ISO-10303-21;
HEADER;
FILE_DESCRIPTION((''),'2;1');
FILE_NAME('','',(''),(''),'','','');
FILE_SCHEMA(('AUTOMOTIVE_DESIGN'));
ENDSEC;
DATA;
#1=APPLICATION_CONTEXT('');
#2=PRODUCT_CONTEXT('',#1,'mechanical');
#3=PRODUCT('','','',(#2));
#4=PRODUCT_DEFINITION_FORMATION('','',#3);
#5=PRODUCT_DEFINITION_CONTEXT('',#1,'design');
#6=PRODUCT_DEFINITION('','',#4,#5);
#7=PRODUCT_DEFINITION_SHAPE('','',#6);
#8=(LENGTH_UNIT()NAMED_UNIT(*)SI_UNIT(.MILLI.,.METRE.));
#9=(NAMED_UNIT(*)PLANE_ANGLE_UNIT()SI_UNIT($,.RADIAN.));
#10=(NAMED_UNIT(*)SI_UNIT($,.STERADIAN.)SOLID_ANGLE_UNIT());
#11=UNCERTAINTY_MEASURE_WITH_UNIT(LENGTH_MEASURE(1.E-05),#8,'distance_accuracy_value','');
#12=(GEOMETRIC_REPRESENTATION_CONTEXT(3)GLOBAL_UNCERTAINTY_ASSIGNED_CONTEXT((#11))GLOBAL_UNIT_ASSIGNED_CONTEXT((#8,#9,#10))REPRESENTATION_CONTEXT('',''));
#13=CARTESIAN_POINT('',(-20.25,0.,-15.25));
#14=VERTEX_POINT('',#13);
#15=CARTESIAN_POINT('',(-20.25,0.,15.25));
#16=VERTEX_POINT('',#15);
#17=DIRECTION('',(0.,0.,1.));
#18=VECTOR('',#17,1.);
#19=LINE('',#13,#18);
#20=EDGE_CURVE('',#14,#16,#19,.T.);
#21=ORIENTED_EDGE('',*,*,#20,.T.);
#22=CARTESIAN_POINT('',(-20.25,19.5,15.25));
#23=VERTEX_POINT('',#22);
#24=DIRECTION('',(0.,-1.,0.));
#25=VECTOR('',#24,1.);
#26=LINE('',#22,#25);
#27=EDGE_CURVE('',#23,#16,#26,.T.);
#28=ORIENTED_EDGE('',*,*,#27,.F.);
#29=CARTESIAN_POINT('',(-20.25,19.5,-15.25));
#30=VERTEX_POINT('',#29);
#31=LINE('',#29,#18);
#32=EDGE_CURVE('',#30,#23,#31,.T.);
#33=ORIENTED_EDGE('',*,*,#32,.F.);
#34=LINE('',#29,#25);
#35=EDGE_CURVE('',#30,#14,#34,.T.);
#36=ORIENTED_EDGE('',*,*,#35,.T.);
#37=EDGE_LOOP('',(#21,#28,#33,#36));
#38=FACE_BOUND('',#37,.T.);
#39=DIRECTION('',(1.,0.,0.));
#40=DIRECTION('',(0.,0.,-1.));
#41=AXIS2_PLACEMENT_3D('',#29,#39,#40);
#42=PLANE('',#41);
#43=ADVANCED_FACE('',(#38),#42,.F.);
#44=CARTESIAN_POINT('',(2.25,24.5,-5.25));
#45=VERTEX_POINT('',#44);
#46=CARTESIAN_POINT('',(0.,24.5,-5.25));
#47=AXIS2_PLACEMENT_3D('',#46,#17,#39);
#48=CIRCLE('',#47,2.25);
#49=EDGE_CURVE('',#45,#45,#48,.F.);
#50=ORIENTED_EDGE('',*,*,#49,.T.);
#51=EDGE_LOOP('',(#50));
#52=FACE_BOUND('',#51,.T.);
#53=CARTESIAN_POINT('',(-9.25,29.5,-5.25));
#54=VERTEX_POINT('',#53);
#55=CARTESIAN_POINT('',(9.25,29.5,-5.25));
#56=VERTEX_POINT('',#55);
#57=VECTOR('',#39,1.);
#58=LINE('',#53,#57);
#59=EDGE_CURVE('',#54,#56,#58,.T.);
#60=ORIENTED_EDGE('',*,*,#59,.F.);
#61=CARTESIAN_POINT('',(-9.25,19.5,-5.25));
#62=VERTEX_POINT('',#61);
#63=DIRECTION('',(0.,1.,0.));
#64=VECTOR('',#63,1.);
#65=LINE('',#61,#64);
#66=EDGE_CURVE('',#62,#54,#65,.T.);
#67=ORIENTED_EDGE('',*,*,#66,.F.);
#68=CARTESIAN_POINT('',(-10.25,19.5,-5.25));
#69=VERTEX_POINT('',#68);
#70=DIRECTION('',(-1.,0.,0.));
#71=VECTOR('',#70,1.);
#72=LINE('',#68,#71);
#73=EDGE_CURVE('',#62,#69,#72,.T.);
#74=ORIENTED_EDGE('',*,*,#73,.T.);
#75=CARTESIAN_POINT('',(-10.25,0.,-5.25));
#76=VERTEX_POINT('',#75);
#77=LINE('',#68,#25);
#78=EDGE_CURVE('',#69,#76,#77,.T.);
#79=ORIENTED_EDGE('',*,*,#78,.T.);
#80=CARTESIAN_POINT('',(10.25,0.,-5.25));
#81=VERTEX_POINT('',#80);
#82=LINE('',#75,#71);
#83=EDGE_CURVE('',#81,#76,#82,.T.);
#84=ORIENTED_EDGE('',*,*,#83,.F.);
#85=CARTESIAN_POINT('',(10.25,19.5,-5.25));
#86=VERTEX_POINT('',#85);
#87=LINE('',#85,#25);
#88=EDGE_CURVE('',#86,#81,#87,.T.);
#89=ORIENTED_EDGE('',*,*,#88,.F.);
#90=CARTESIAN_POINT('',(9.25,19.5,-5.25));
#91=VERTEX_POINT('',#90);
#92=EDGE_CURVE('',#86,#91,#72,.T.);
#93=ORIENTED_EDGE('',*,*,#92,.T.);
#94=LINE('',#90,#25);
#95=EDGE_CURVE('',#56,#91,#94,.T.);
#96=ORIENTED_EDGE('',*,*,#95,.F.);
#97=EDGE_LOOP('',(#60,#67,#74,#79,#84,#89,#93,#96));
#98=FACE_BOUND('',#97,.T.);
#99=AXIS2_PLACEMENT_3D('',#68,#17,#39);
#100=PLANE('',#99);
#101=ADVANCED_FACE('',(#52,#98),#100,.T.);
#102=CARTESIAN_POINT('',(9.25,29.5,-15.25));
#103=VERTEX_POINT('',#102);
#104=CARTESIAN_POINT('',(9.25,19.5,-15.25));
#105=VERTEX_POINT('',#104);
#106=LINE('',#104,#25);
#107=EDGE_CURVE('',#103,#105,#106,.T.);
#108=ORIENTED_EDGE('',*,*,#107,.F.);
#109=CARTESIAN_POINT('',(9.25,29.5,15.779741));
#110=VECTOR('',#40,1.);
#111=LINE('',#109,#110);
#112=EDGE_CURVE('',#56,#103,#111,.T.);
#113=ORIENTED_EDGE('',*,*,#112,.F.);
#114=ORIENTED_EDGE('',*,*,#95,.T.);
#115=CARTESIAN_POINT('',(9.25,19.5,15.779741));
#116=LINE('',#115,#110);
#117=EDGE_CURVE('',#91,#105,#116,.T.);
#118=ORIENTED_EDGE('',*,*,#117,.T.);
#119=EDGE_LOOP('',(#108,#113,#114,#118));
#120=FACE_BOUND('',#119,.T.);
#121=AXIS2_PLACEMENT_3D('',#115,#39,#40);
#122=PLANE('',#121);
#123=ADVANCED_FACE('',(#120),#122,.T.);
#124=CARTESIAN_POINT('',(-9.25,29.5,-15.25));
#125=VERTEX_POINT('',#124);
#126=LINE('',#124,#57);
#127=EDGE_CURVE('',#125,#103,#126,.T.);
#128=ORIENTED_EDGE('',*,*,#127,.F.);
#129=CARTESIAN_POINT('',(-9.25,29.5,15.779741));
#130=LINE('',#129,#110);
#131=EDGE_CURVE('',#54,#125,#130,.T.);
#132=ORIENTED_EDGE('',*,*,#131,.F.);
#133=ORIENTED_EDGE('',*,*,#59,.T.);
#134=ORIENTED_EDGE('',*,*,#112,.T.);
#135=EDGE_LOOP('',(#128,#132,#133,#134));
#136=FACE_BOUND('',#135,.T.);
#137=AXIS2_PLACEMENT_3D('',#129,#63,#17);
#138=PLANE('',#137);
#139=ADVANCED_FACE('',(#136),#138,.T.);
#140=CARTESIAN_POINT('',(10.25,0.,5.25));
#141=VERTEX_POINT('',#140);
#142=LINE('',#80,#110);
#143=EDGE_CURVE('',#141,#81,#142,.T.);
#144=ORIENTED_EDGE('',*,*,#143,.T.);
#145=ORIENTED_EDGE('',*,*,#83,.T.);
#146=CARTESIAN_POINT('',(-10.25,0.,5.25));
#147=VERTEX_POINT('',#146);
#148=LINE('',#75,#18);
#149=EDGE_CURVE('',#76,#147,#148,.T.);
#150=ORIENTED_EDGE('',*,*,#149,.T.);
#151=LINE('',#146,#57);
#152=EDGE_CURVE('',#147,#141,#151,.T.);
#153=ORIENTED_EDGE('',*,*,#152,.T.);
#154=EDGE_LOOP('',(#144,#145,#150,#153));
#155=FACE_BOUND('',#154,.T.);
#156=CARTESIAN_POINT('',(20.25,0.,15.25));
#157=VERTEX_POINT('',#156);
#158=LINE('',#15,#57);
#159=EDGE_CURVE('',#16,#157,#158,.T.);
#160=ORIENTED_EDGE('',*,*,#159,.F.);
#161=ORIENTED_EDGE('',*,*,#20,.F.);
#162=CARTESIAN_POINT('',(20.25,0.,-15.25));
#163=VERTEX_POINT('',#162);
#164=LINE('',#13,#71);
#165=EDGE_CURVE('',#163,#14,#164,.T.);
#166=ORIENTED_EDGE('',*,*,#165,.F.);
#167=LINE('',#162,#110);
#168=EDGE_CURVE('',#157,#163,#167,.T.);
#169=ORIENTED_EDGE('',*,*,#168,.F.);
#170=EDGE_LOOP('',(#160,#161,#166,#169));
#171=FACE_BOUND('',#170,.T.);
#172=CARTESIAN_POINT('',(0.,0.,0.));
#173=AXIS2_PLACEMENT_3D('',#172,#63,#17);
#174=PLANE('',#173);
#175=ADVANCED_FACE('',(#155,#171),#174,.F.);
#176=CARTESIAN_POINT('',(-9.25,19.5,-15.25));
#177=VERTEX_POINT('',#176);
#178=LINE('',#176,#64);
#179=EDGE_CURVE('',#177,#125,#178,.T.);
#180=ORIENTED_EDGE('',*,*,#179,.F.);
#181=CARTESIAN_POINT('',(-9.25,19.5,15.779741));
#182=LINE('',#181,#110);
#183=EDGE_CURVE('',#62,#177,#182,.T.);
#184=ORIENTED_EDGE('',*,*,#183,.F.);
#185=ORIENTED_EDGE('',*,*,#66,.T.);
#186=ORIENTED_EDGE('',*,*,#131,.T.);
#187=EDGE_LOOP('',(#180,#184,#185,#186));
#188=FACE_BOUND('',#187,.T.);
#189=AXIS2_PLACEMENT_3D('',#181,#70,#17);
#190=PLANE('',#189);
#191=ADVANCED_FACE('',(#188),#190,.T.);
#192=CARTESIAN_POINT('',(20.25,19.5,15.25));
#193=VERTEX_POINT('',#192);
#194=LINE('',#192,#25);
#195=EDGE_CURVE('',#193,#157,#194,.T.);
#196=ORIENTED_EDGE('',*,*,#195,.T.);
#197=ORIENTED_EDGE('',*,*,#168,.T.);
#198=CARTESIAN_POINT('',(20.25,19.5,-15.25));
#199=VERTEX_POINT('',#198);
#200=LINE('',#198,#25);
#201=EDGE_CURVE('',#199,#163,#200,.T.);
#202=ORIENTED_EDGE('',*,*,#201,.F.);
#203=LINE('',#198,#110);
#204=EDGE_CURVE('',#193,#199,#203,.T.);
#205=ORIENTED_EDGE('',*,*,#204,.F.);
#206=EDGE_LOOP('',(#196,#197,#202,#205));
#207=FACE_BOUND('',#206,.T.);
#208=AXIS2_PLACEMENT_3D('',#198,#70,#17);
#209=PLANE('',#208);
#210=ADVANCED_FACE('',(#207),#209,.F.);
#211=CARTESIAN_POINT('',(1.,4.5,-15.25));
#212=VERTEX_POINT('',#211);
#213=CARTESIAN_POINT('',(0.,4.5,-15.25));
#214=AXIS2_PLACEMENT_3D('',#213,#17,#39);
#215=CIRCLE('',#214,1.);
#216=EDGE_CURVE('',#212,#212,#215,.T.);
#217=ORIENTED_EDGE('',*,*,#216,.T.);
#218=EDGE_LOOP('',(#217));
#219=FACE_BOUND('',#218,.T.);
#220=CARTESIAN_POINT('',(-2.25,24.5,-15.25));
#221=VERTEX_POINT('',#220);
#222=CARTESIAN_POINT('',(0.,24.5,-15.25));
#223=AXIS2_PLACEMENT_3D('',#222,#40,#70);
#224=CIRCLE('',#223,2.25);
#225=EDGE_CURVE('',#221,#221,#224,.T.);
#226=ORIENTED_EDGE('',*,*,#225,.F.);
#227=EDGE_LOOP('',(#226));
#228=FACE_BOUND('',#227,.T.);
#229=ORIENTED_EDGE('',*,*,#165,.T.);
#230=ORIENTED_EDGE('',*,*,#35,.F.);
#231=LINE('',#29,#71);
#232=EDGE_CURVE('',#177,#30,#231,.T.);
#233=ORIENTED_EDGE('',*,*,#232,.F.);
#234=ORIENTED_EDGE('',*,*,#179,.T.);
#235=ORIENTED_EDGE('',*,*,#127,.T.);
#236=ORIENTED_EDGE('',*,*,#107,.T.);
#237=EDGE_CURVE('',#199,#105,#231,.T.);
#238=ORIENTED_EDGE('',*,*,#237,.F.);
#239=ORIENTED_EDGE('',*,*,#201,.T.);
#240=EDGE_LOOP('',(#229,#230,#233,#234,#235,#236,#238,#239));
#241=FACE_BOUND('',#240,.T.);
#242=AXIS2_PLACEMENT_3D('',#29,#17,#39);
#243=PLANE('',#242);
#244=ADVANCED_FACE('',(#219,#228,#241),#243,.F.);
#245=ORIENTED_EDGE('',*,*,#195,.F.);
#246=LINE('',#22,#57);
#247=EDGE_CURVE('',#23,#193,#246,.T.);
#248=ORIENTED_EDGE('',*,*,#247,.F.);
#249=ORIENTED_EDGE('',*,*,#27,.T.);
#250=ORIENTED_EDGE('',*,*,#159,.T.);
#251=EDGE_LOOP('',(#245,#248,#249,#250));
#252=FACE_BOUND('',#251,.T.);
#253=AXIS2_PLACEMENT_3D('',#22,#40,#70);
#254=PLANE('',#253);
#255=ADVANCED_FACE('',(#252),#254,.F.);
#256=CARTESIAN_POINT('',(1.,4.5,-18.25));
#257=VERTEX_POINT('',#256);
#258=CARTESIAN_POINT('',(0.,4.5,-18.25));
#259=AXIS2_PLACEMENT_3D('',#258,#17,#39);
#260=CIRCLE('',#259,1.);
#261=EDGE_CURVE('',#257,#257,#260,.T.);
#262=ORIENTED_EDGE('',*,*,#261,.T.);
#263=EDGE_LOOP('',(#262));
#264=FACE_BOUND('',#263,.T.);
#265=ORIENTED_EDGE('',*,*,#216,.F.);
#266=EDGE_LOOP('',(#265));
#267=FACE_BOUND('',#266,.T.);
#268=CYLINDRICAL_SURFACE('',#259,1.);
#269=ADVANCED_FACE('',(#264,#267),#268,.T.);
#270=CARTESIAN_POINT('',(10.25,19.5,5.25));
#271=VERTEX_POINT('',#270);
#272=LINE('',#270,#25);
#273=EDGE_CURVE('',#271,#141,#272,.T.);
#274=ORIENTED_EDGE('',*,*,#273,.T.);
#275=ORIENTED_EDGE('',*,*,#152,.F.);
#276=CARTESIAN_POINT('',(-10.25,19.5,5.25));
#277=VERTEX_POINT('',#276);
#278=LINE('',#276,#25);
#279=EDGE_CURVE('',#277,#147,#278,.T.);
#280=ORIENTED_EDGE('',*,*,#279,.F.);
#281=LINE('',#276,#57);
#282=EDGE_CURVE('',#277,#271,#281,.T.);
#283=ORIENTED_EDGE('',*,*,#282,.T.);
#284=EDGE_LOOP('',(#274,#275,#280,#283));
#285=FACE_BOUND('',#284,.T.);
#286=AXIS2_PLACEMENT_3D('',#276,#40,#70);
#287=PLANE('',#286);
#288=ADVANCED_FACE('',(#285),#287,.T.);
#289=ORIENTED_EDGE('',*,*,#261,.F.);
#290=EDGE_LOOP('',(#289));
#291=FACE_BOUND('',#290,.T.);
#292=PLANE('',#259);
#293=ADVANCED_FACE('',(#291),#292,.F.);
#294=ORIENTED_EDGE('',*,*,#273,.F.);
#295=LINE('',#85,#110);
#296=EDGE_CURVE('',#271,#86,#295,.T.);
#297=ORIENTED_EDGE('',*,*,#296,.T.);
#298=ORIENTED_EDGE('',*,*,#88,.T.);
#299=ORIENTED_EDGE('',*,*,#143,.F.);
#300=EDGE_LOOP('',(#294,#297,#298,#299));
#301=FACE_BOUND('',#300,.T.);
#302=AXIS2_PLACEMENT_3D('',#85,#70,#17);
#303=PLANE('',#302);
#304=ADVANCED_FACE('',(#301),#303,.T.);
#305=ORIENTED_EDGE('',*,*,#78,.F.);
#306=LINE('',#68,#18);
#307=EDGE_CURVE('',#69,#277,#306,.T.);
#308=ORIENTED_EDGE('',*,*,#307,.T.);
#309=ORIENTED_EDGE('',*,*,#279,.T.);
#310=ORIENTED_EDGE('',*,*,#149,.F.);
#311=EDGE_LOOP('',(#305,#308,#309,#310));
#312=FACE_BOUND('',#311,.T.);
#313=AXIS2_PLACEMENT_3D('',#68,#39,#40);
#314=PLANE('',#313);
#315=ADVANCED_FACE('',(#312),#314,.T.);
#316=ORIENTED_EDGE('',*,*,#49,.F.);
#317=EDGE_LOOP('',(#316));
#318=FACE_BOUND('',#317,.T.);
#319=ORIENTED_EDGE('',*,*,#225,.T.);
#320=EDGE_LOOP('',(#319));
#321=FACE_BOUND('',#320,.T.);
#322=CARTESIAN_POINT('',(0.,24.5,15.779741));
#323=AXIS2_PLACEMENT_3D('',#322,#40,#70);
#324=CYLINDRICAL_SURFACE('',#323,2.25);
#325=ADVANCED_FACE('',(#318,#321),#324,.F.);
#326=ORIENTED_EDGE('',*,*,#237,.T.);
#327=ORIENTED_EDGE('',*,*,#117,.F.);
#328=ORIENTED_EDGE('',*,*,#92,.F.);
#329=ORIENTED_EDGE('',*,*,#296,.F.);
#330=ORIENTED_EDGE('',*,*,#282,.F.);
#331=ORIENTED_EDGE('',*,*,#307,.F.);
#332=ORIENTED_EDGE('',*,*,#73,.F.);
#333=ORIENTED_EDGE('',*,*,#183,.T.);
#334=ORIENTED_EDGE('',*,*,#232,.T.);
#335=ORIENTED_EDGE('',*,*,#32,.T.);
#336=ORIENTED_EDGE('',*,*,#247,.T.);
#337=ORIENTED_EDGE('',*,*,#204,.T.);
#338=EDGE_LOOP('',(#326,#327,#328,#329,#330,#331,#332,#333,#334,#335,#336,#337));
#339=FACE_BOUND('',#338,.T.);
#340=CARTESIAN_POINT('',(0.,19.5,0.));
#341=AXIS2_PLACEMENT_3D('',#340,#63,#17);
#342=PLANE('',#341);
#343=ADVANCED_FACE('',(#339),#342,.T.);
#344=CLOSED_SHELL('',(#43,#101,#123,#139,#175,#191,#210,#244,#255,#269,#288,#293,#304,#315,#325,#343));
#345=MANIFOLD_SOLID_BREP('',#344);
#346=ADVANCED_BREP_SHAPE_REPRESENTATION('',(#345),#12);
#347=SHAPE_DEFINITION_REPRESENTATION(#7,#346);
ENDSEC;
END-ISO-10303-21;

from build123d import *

# Parameters (mm, degrees)
SKETCH1_W           = 40.5
SKETCH1_H           = 30.5
SKETCH1_W_2         = 20.5
SKETCH1_H_2         = 10.5
BOSS_EXTRUDE1_DEPTH = 19.5
SKETCH4_R           = 1
BOSS_EXTRUDE2_DEPTH = 3
SKETCH3_W           = 18.5
SKETCH3_H           = 10
SKETCH3_R           = 2.25
BOSS_EXTRUDE3_DEPTH = 10


with BuildPart() as part:
    # Sketch1 → Boss-Extrude1 (new body)
    with BuildSketch(Plane(origin=(0, 0, 0), x_dir=(1, 0, 0), z_dir=(0, 1, 0))):
        Rectangle(SKETCH1_W, SKETCH1_H)
        Rectangle(SKETCH1_W_2, SKETCH1_H_2, mode=Mode.SUBTRACT)
    extrude(amount=BOSS_EXTRUDE1_DEPTH)

    # Sketch4 → Boss-Extrude2 (add)
    with BuildSketch(Plane.XY.offset(-15.25)):
        with Locations((0, 4.5)):
            Circle(SKETCH4_R)
    extrude(amount=-BOSS_EXTRUDE2_DEPTH)

    # Sketch3 → Boss-Extrude3 (add)
    with BuildSketch(Plane(origin=(0, 0, -15.25), x_dir=(-1, 0, 0), z_dir=(0, 0, -1))):
        with Locations((0, 24.5)):
            Rectangle(SKETCH3_W, SKETCH3_H)
        with Locations((0, 24.5)):
            Circle(SKETCH3_R, mode=Mode.SUBTRACT)
    extrude(amount=-BOSS_EXTRUDE3_DEPTH)


solid = part.part
